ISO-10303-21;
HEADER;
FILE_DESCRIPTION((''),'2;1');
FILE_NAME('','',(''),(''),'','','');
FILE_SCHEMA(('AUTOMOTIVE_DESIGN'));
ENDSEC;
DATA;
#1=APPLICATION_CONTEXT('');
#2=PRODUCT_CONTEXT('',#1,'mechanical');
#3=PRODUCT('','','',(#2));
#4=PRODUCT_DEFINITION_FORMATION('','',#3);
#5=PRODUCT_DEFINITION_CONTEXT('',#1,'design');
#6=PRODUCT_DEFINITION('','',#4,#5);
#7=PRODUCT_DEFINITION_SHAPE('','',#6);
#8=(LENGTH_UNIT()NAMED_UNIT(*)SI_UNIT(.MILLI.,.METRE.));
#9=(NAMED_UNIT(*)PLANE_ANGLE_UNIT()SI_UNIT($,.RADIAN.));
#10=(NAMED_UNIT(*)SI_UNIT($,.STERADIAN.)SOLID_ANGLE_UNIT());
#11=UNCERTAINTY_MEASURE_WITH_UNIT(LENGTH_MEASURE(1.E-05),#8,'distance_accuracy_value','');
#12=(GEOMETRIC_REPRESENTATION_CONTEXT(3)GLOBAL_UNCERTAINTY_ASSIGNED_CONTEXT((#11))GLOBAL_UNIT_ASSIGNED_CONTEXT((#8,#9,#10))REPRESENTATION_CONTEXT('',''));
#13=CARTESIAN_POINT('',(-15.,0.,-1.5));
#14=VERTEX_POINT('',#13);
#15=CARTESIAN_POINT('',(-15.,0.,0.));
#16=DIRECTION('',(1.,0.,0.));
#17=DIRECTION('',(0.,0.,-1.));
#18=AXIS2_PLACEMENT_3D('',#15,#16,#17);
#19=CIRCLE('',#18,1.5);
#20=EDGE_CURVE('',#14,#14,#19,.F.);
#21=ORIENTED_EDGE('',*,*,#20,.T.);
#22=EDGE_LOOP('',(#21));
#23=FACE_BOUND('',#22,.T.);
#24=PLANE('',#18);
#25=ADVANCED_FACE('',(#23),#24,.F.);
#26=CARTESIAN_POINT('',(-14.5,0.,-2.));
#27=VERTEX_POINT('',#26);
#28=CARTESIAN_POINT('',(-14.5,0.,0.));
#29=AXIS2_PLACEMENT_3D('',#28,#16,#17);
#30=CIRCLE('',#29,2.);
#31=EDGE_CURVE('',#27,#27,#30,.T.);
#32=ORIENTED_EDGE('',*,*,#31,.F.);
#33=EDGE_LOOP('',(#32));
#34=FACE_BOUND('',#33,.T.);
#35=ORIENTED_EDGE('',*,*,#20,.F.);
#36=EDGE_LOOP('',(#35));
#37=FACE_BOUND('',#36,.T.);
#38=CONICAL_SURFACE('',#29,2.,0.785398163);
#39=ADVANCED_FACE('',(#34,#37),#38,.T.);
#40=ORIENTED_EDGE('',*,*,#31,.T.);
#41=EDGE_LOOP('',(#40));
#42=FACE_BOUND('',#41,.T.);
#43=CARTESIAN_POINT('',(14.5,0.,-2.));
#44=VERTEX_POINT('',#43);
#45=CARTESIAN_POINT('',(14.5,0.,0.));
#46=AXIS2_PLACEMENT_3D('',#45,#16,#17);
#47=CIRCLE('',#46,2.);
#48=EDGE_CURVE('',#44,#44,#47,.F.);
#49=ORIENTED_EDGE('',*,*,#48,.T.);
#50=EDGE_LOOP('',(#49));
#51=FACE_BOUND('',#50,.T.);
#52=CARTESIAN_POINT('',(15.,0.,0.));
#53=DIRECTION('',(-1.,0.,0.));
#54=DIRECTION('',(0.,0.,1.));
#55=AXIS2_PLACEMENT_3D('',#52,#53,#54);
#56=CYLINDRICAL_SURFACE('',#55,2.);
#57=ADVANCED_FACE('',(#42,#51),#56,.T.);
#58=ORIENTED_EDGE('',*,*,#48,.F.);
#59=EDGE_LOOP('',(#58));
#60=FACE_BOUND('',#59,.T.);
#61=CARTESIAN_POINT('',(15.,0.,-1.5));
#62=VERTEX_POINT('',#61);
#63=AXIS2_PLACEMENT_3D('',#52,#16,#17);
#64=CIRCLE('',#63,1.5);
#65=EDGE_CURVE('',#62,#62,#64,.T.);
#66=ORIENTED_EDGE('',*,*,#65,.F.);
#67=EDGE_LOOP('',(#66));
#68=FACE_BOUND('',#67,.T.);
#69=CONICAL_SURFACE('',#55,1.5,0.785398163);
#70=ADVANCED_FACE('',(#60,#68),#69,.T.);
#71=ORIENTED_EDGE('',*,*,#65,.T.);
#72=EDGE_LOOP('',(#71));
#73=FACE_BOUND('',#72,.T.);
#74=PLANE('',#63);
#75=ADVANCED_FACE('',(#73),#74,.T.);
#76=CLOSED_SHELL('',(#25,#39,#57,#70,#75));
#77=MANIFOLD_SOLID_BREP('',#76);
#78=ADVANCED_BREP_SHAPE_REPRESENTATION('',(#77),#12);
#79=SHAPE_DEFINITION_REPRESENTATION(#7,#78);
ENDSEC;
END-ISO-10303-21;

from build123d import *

# Parameters (mm, degrees)
SKETCH1_R           = 2
BOSS_EXTRUDE1_DEPTH = 15
CHAMFER1_SIZE       = 0.5


with BuildPart() as part:
    # Sketch1 → Boss-Extrude1 (new body, symmetric)
    with BuildSketch(Plane(origin=(0, 0, 0), x_dir=(0, 0, -1), z_dir=(1, 0, 0))):
        Circle(SKETCH1_R)
    extrude(amount=BOSS_EXTRUDE1_DEPTH, both=True)

    # Chamfer1
    chamfer1_edges = [part.edges().sort_by_distance(p)[0] for p in [
        (-15, 0, 2),
        (15, 0, 2),
    ]]
    chamfer(chamfer1_edges, length=CHAMFER1_SIZE)


solid = part.part
